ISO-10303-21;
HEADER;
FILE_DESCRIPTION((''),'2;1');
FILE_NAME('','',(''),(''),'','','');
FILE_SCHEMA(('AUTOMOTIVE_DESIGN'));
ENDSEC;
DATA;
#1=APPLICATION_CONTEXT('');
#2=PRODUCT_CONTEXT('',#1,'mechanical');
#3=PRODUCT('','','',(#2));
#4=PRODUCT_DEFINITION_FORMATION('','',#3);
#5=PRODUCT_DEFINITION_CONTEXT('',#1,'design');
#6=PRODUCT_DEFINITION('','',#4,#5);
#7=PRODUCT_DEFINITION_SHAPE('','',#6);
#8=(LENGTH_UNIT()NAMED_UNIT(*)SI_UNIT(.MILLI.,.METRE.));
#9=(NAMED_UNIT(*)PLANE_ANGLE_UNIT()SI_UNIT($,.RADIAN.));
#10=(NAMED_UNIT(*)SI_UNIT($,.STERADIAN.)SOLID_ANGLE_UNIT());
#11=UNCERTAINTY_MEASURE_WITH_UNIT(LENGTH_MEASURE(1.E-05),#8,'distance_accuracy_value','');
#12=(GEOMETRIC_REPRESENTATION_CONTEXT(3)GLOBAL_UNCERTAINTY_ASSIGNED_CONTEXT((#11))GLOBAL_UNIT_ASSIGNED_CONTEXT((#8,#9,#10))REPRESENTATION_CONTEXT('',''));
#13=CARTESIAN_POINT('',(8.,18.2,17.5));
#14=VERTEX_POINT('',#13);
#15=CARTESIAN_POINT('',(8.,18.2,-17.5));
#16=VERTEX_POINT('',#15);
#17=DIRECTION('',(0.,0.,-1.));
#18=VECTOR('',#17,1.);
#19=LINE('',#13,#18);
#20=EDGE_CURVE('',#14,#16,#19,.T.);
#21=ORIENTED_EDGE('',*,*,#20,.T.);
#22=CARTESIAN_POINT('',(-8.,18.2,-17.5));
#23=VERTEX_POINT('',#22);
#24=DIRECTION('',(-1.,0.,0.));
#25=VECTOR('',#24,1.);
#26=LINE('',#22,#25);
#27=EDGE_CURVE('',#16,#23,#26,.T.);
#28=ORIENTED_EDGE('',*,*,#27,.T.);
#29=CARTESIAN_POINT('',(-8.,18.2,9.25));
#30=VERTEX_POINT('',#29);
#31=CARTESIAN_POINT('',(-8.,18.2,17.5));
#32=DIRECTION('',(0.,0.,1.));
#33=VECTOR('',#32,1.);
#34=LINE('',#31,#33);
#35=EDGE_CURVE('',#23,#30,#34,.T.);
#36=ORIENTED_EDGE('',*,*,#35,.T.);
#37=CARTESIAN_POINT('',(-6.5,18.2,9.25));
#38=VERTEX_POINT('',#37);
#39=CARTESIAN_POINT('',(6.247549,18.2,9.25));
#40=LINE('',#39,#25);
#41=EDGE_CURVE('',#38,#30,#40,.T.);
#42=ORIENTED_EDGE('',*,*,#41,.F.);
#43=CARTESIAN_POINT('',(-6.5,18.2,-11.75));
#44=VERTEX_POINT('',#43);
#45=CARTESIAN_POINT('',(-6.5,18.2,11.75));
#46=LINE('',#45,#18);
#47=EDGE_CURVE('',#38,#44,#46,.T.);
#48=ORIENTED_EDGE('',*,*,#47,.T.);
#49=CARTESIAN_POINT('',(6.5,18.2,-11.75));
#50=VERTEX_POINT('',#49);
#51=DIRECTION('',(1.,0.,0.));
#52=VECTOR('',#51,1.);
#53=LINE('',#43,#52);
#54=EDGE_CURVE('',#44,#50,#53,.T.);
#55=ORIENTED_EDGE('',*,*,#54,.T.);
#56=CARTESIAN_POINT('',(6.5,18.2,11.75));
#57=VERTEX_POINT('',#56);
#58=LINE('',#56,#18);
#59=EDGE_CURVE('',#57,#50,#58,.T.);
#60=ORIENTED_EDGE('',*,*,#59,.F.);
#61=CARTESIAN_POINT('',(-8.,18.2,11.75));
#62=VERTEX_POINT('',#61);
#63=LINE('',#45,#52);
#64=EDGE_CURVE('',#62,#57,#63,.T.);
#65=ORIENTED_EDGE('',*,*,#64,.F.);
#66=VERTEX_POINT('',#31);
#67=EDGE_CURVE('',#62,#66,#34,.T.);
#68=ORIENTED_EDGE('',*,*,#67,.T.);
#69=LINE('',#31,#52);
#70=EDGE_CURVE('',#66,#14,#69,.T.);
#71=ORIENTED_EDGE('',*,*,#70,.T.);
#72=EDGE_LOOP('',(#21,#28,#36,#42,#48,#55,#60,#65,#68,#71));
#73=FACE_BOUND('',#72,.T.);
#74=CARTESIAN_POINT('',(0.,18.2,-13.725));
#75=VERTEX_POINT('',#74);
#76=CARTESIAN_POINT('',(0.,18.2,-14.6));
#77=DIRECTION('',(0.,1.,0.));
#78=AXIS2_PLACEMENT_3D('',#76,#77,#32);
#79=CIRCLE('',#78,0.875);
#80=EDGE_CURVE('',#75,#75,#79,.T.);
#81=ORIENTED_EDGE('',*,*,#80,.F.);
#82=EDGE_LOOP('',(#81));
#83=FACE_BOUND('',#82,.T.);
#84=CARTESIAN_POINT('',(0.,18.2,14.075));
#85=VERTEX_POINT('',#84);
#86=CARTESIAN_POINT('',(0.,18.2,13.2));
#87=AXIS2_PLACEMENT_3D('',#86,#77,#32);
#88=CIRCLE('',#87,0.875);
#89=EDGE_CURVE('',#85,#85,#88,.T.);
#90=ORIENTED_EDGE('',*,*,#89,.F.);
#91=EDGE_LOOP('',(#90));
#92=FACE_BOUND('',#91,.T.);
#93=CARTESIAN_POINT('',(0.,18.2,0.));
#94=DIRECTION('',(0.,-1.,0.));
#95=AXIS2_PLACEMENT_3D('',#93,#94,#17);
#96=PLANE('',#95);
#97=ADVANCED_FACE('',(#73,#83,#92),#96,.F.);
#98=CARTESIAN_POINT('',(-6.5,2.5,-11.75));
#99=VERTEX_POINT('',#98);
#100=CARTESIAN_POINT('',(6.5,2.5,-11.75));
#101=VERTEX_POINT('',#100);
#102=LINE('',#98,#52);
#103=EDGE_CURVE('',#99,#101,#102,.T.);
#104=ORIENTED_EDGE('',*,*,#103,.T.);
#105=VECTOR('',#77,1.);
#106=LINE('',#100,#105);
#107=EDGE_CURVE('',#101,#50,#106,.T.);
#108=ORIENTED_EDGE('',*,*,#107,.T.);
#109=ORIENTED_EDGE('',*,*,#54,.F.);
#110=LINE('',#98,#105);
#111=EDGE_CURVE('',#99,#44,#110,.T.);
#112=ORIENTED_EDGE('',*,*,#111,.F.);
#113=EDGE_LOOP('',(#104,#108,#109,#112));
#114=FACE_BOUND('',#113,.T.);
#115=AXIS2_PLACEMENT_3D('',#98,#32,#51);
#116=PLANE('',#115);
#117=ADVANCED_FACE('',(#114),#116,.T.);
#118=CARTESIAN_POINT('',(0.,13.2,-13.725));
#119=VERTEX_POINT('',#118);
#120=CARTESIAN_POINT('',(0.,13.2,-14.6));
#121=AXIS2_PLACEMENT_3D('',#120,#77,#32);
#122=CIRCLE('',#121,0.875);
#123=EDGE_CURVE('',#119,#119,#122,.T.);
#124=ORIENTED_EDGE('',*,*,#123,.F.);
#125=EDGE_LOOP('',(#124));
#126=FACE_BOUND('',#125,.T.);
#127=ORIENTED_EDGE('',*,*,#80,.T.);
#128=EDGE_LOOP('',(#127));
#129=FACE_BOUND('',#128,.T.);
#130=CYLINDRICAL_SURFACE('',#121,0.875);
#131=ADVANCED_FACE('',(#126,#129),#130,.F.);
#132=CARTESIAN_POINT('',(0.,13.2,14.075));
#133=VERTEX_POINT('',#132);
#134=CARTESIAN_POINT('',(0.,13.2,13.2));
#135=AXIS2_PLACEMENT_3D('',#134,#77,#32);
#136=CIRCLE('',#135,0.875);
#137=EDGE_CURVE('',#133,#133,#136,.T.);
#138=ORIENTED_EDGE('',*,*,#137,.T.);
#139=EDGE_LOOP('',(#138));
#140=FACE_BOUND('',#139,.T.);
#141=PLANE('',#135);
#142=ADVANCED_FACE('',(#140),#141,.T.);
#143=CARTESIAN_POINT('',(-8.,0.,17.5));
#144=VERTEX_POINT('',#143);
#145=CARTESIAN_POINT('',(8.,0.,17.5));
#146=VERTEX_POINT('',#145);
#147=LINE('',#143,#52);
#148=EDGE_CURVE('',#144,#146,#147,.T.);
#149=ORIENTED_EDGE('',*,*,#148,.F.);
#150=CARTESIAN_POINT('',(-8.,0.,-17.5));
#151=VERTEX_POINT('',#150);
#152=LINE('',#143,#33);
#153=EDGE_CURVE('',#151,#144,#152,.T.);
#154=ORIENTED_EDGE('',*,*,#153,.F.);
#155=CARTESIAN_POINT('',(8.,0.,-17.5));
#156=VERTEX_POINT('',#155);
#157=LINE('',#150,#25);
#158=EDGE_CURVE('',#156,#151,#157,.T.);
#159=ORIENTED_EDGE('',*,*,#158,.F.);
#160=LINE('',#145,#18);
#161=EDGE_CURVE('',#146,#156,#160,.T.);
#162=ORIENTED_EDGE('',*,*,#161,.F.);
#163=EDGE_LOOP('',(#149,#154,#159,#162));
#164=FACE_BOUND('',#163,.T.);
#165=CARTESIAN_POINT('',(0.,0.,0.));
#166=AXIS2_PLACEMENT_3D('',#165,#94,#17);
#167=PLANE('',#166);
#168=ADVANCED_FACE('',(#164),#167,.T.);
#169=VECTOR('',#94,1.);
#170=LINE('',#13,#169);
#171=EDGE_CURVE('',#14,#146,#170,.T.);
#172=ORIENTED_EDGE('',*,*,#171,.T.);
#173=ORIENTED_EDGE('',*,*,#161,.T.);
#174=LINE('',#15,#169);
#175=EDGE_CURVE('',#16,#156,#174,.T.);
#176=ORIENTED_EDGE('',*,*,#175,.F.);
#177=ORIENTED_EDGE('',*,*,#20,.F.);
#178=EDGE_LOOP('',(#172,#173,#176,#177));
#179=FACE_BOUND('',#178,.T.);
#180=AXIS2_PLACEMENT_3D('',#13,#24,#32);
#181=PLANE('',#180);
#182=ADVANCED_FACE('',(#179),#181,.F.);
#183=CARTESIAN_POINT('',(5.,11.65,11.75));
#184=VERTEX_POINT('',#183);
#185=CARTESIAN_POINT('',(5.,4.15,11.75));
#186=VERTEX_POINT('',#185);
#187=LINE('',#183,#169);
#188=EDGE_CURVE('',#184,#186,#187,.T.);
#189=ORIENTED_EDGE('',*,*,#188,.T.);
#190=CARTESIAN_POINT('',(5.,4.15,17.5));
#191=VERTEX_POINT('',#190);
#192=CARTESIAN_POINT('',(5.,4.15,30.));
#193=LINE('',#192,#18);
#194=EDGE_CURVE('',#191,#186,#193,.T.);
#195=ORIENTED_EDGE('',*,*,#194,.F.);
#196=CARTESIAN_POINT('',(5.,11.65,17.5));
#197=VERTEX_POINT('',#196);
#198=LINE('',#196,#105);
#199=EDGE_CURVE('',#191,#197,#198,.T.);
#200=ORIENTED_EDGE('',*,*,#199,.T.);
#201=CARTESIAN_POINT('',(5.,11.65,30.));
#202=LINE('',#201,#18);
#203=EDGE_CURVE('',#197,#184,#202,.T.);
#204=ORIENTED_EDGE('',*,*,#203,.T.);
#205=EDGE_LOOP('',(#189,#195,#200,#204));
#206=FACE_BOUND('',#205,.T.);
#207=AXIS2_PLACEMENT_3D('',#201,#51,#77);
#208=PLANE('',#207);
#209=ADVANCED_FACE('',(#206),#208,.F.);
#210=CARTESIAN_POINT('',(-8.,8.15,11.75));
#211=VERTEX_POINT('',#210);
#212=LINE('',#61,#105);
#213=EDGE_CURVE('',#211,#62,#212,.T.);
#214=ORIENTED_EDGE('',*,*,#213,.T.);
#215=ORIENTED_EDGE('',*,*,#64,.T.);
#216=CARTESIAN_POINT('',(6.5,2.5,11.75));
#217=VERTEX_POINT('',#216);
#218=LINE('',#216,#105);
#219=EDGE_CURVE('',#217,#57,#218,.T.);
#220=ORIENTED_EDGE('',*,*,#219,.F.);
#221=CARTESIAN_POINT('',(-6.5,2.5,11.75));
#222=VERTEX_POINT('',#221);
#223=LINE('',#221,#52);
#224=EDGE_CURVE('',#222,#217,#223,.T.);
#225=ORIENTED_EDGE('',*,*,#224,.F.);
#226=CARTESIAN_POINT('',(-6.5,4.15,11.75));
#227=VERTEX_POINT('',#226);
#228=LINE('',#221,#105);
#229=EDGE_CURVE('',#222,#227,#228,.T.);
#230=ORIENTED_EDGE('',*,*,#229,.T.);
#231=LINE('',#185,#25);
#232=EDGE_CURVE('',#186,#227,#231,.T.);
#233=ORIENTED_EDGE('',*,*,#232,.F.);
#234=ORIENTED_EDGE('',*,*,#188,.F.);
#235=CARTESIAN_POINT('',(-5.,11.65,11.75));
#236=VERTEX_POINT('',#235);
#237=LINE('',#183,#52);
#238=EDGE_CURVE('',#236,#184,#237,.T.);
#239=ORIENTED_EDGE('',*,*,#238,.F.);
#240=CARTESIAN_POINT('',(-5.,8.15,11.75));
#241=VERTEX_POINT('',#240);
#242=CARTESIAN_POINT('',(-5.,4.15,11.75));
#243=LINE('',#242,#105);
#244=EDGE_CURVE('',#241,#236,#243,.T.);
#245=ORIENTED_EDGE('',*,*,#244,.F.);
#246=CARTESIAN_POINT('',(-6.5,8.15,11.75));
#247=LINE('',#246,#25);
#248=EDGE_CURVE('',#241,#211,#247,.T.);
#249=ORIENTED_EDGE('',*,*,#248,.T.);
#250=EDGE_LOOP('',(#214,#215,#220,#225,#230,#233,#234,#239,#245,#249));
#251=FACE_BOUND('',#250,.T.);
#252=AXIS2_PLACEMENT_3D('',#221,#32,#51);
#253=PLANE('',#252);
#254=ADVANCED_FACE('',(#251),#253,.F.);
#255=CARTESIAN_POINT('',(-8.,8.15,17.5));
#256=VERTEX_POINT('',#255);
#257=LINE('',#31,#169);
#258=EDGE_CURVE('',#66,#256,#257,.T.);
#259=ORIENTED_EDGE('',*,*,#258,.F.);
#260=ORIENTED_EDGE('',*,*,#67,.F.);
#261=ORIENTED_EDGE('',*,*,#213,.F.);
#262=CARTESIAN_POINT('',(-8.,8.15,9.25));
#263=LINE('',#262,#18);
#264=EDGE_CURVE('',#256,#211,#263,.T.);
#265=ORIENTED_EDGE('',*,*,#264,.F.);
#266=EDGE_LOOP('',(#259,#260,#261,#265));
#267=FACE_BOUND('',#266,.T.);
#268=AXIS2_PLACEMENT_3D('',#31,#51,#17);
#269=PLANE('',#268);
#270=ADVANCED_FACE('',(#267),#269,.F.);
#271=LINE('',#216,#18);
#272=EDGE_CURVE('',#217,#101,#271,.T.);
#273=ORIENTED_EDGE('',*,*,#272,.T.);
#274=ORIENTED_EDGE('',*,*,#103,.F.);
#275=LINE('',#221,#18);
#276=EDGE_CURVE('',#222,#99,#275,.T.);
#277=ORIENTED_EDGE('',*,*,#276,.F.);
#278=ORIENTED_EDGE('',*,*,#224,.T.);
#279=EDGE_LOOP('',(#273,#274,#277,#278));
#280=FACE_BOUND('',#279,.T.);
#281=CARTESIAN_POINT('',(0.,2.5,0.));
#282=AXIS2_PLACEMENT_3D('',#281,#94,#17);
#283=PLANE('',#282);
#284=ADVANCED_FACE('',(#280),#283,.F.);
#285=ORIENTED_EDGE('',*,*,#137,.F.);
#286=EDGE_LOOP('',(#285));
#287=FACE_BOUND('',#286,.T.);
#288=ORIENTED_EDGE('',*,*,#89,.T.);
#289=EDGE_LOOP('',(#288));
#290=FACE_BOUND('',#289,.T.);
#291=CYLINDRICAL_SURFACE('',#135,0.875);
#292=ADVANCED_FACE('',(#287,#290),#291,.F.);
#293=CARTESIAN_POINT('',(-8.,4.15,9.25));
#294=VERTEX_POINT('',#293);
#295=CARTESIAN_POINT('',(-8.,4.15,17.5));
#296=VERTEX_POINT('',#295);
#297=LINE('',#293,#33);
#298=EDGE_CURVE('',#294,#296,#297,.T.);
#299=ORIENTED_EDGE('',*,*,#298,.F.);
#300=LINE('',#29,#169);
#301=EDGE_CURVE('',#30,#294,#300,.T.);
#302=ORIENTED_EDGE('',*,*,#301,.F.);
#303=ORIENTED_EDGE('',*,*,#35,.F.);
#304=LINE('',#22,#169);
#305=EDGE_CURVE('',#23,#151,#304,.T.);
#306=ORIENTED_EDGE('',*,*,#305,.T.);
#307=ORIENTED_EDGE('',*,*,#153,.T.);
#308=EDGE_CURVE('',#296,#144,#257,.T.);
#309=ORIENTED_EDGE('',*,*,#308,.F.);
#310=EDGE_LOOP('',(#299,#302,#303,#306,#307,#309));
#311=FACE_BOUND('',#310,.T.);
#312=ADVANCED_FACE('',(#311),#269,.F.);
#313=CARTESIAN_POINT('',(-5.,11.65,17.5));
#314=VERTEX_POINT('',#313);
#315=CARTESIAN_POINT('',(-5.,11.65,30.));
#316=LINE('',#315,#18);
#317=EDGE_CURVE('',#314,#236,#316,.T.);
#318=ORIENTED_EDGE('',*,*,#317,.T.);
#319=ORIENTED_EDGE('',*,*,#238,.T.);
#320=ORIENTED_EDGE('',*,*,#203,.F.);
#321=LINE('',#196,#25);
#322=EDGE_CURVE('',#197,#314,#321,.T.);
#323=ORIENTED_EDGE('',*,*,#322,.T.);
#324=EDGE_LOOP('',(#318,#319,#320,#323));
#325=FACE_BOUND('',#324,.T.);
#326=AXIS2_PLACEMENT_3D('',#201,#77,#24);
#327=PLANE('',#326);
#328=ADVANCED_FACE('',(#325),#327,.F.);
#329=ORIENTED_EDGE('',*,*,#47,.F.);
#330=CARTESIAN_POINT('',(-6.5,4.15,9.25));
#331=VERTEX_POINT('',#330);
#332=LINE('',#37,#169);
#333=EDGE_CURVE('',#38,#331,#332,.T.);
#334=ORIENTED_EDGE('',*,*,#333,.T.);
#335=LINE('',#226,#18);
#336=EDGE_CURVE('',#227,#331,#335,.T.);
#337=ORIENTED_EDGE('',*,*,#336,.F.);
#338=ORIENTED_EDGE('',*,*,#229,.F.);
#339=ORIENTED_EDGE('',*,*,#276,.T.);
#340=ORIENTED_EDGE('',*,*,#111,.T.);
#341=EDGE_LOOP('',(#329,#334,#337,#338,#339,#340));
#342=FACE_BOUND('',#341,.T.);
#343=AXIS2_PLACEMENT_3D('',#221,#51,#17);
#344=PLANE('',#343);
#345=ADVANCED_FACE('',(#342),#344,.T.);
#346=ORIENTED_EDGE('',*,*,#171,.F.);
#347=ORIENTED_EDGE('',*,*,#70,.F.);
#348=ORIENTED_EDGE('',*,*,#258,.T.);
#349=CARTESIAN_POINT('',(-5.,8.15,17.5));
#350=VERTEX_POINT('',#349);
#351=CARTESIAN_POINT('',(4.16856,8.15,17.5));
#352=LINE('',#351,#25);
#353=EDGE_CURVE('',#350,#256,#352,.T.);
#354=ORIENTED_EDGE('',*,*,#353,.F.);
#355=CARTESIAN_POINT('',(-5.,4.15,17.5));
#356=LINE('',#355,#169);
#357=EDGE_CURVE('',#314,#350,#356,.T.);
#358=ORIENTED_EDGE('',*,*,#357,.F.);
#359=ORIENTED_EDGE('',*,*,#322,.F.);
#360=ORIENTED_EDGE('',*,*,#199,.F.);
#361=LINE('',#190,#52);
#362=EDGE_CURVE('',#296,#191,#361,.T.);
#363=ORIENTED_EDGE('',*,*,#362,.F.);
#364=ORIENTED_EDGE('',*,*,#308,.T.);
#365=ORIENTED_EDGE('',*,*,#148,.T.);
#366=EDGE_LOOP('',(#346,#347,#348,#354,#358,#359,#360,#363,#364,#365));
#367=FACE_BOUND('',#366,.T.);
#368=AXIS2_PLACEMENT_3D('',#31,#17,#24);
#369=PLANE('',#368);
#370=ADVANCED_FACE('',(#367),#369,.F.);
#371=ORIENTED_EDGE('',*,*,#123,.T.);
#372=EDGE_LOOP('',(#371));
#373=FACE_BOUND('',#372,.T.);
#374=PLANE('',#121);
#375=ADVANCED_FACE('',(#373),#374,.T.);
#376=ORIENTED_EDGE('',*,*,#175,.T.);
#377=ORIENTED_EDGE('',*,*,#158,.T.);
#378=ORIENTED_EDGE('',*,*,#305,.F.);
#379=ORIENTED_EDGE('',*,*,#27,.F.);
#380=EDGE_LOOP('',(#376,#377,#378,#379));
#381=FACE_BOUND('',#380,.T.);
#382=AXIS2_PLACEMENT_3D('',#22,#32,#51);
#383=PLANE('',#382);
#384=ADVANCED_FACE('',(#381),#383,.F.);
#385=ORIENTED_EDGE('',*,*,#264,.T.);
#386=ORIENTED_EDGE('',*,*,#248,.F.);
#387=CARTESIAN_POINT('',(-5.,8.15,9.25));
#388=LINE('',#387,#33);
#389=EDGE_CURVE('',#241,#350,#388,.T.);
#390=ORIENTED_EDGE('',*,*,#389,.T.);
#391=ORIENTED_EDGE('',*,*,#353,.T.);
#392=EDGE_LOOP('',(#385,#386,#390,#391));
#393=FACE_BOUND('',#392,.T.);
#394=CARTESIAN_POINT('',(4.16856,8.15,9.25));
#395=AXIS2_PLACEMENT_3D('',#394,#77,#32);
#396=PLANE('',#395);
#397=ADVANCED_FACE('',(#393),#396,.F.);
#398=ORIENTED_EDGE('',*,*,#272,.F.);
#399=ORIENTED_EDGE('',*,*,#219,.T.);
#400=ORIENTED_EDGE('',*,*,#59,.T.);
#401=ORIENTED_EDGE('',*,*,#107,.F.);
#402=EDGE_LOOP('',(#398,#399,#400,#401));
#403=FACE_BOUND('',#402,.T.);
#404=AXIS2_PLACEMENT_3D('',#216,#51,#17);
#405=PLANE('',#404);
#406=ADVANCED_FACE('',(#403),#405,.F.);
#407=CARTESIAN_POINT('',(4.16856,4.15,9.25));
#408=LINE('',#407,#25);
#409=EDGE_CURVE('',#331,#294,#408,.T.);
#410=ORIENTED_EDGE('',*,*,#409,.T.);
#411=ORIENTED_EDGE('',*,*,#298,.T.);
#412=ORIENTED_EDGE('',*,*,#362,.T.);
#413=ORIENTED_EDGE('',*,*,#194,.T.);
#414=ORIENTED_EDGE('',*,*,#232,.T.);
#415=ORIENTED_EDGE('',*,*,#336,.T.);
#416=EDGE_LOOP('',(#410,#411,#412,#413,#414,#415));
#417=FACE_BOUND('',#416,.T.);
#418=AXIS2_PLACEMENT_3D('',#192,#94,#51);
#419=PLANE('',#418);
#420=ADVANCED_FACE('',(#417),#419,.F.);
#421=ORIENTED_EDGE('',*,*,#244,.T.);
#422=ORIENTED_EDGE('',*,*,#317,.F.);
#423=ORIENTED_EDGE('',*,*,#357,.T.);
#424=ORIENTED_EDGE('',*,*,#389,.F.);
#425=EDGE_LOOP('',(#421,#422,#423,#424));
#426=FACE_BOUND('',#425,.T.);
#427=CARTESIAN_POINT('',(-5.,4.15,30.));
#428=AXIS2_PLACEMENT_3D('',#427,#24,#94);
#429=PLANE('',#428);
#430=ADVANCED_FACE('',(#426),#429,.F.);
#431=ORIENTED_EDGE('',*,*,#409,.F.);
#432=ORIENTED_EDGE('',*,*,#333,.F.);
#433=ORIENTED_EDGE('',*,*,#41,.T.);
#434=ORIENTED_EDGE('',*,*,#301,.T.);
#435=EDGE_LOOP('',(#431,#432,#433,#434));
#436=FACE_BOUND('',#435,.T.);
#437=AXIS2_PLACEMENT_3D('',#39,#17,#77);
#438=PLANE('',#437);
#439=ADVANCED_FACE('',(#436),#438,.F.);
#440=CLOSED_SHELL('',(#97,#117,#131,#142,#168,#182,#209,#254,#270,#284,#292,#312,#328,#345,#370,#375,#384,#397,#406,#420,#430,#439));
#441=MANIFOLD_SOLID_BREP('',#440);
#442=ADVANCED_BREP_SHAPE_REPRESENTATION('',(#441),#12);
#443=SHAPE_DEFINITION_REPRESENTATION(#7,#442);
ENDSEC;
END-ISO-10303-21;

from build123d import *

# Parameters (mm, degrees)
SKETCH1_W           = 16
SKETCH1_H           = 35
BOSS_EXTRUDE1_DEPTH = 18.2
SKETCH2_W           = 13
SKETCH2_H           = 23.5
CUT_EXTRUDE1_DEPTH  = 15.7
SKETCH3_R           = 0.875
CUT_EXTRUDE2_DEPTH  = 5
SKETCH4_W           = 10
SKETCH4_H           = 7.5
CUT_EXTRUDE3_DEPTH  = 5.75
SKETCH5_W           = 2.5
SKETCH5_H           = 12.5
CUT_EXTRUDE4_DEPTH  = 1.5
SKETCH6_W           = 8.25
SKETCH6_H           = 4
CUT_EXTRUDE5_DEPTH  = 3


with BuildPart() as part:
    # Sketch1 → Boss-Extrude1 (new body)
    with BuildSketch(Plane(origin=(0, 0, 0), x_dir=(1, 0, 0), z_dir=(0, 1, 0))):
        Rectangle(SKETCH1_W, SKETCH1_H)
    extrude(amount=BOSS_EXTRUDE1_DEPTH)

    # Sketch2 → Cut-Extrude1 (cut)
    with BuildSketch(Plane(origin=(0, 18.2, 0), x_dir=(1, 0, 0), z_dir=(0, 1, 0))):
        Rectangle(SKETCH2_W, SKETCH2_H)
    extrude(amount=-CUT_EXTRUDE1_DEPTH, mode=Mode.SUBTRACT)

    # Sketch3 → Cut-Extrude2 (cut)
    with BuildSketch(Plane(origin=(0, 18.2, 0), x_dir=(1, 0, 0), z_dir=(0, 1, 0))):
        with Locations(Location((0, -13.2, 0), (0, 0, 270))):
            Circle(SKETCH3_R)
        with Locations(Location((0, 14.6, 0), (0, 0, 270))):
            Circle(SKETCH3_R)
    extrude(amount=-CUT_EXTRUDE2_DEPTH, mode=Mode.SUBTRACT)

    # Sketch4 → Cut-Extrude3 (cut)
    with BuildSketch(Plane(origin=(0, 0, 11.75), x_dir=(-1, 0, 0), z_dir=(0, 0, -1))):
        with Locations((0, 7.9)):
            Rectangle(SKETCH4_W, SKETCH4_H)
    extrude(amount=-CUT_EXTRUDE3_DEPTH, mode=Mode.SUBTRACT)

    # Sketch5 → Cut-Extrude4 (cut)
    with BuildSketch(Plane.ZY.offset(8)):
        with Locations((10.5, 11.95)):
            Rectangle(SKETCH5_W, SKETCH5_H)
    extrude(amount=-CUT_EXTRUDE4_DEPTH, mode=Mode.SUBTRACT)

    # Sketch6 → Cut-Extrude5 (cut)
    with BuildSketch(Plane.ZY.offset(8)):
        with Locations((13.375, 6.15)):
            Rectangle(SKETCH6_W, SKETCH6_H)
    extrude(amount=-CUT_EXTRUDE5_DEPTH, mode=Mode.SUBTRACT)


solid = part.part
